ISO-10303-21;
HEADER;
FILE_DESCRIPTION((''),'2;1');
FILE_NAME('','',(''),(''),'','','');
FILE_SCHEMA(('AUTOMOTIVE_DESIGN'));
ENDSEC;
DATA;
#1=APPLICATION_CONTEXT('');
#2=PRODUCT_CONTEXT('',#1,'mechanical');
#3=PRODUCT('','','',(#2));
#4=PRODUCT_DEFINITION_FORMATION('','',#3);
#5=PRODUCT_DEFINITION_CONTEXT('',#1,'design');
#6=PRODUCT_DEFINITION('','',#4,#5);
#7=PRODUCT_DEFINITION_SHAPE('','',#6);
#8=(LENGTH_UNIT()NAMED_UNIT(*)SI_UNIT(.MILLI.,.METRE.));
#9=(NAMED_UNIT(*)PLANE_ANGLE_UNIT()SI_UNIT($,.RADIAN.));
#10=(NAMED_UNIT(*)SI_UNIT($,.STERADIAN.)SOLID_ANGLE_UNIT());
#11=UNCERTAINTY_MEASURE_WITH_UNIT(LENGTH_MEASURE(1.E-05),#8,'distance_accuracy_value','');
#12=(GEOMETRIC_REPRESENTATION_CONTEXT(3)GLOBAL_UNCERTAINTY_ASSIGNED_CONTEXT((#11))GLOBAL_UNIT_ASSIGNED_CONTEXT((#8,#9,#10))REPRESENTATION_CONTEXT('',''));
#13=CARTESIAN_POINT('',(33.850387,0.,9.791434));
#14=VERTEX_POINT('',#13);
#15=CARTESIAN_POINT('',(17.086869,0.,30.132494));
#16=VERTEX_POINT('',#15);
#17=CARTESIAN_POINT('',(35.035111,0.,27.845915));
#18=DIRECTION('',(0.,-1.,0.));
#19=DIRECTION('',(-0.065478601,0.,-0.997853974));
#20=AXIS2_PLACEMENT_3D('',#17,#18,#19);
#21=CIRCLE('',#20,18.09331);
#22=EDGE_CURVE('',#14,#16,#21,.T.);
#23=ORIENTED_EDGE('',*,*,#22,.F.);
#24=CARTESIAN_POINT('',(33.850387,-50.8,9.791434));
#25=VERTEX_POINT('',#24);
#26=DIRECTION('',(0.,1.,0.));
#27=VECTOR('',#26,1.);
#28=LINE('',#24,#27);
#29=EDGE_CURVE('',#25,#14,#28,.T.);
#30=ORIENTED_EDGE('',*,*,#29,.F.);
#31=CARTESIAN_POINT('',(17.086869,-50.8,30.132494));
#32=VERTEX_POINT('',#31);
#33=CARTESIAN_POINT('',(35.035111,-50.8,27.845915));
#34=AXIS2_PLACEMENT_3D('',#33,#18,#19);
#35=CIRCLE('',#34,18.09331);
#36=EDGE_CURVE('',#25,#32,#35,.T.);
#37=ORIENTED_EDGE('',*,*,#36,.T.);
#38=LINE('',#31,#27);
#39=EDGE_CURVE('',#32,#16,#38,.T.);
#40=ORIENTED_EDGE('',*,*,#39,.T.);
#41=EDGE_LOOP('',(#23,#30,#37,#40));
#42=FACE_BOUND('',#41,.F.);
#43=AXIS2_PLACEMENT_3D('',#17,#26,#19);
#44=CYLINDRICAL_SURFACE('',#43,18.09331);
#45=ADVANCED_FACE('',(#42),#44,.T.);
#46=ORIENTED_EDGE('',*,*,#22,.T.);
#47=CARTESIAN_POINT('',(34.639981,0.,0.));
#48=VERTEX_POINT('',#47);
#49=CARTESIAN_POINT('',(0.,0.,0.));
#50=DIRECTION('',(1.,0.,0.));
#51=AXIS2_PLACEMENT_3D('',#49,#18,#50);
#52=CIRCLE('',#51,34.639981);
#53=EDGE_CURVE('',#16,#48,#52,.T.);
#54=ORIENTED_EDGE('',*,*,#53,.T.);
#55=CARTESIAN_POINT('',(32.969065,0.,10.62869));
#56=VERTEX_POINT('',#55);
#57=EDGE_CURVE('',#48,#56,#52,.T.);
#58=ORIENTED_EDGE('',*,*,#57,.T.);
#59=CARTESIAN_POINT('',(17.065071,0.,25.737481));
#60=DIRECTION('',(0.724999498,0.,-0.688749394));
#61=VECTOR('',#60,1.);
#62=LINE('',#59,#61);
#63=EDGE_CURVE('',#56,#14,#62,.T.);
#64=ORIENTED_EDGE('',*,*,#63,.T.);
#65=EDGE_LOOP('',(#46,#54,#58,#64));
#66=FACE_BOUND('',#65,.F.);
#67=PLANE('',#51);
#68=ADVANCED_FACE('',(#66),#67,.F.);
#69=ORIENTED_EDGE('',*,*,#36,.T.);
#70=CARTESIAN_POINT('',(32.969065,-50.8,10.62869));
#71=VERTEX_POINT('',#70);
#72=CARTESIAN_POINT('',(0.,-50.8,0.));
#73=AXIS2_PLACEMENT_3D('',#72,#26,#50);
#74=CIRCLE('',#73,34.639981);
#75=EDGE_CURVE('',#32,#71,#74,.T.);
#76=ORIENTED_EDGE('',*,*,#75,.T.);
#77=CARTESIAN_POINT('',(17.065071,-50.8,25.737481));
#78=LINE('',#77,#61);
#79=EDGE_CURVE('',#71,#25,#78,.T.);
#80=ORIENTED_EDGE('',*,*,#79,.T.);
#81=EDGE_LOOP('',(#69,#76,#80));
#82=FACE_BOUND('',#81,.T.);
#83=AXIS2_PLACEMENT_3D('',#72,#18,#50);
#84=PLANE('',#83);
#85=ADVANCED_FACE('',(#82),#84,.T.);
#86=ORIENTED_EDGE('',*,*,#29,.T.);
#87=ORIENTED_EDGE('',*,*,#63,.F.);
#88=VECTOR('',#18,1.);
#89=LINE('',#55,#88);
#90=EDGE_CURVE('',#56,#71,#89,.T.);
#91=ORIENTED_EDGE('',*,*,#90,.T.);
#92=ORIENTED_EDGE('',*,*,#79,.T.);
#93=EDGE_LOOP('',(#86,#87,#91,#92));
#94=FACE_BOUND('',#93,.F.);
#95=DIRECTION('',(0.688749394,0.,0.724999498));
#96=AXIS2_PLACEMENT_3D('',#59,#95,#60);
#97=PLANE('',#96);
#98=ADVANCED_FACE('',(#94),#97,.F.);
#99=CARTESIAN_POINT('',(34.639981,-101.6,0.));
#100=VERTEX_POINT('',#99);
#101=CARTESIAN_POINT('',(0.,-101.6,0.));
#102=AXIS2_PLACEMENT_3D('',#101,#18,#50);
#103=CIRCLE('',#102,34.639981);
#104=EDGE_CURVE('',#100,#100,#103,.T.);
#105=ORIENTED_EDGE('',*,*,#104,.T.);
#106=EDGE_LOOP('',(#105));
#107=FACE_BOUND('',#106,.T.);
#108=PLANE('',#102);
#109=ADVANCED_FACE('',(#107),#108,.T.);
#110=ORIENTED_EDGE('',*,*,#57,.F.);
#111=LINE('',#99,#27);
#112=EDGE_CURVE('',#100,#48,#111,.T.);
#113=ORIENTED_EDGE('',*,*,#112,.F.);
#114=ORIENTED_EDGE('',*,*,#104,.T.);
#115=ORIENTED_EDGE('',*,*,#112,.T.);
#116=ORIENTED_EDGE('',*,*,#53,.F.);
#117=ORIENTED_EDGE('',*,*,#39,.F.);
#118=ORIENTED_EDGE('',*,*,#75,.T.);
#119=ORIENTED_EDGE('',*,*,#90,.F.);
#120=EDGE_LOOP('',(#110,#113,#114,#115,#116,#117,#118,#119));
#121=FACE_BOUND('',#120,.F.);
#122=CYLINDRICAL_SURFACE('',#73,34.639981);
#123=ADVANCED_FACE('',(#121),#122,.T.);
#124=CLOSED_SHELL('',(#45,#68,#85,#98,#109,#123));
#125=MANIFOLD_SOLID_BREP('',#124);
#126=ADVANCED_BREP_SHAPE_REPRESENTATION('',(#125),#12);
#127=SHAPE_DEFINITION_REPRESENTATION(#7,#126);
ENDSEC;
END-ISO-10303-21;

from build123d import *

# Parameters (mm, degrees)
F0_R      = 34.6399806849
F1_DEPTH  = 50.8
F2_DEPTH  = 50.8
F4_DEPTH  = 25.4
F5_DEPTH  = 50.8
F6_DEPTH  = 25.4
F7_R      = 26.5192629278
F8_DEPTH  = 25.4
F9_R      = 25.3977072723
F10_DEPTH = 25.4


with BuildPart() as f1:
    # F0 (on Front) → F1 (new body)
    with BuildSketch(Plane.XZ):
        Circle(F0_R)
    extrude(amount=F1_DEPTH)

    # F2 (add): a face of the model
    f2_faces = [f1.faces().sort_by_distance(p)[0] for p in [
        (0, -50.8, 0),
    ]]
    extrude(f2_faces, amount=F2_DEPTH)

    # F3 (on Front) → F4 (join)
    with BuildSketch(Plane.XZ):
        with BuildLine():
            Line((17.0650705695, 25.7374811918), (33.8503867388, 9.7914338112))
            ThreePointArc((33.8503867388, 9.7914338112), (47.4968674715, 40.9635553292), (17.0650705695, 25.7374811918))
        make_face()
    extrude(amount=F4_DEPTH)

    # F5 (add): a face of the model
    f5_faces = [f1.faces().sort_by_distance(p)[0] for p in [
        (7.0012928433, 0, 5.5654888529),
    ]]
    extrude(f5_faces, amount=-F5_DEPTH)

    # F6 (add): a face of the model
    f6_faces = [f1.faces().sort_by_distance(p)[0] for p in [
        (7.0012928433, 0, 5.5654888529),
    ]]
    extrude(f6_faces, amount=-F6_DEPTH)

    # F7 (on Front) → F8 (cut)
    with BuildSketch(Plane.XZ):
        Circle(F7_R)
    extrude(amount=-F8_DEPTH, mode=Mode.SUBTRACT)

    # F9 (on Front) → F10 (cut)
    with BuildSketch(Plane.XZ):
        Circle(F9_R)
    extrude(amount=-F10_DEPTH, mode=Mode.SUBTRACT)


solid = f1.part
